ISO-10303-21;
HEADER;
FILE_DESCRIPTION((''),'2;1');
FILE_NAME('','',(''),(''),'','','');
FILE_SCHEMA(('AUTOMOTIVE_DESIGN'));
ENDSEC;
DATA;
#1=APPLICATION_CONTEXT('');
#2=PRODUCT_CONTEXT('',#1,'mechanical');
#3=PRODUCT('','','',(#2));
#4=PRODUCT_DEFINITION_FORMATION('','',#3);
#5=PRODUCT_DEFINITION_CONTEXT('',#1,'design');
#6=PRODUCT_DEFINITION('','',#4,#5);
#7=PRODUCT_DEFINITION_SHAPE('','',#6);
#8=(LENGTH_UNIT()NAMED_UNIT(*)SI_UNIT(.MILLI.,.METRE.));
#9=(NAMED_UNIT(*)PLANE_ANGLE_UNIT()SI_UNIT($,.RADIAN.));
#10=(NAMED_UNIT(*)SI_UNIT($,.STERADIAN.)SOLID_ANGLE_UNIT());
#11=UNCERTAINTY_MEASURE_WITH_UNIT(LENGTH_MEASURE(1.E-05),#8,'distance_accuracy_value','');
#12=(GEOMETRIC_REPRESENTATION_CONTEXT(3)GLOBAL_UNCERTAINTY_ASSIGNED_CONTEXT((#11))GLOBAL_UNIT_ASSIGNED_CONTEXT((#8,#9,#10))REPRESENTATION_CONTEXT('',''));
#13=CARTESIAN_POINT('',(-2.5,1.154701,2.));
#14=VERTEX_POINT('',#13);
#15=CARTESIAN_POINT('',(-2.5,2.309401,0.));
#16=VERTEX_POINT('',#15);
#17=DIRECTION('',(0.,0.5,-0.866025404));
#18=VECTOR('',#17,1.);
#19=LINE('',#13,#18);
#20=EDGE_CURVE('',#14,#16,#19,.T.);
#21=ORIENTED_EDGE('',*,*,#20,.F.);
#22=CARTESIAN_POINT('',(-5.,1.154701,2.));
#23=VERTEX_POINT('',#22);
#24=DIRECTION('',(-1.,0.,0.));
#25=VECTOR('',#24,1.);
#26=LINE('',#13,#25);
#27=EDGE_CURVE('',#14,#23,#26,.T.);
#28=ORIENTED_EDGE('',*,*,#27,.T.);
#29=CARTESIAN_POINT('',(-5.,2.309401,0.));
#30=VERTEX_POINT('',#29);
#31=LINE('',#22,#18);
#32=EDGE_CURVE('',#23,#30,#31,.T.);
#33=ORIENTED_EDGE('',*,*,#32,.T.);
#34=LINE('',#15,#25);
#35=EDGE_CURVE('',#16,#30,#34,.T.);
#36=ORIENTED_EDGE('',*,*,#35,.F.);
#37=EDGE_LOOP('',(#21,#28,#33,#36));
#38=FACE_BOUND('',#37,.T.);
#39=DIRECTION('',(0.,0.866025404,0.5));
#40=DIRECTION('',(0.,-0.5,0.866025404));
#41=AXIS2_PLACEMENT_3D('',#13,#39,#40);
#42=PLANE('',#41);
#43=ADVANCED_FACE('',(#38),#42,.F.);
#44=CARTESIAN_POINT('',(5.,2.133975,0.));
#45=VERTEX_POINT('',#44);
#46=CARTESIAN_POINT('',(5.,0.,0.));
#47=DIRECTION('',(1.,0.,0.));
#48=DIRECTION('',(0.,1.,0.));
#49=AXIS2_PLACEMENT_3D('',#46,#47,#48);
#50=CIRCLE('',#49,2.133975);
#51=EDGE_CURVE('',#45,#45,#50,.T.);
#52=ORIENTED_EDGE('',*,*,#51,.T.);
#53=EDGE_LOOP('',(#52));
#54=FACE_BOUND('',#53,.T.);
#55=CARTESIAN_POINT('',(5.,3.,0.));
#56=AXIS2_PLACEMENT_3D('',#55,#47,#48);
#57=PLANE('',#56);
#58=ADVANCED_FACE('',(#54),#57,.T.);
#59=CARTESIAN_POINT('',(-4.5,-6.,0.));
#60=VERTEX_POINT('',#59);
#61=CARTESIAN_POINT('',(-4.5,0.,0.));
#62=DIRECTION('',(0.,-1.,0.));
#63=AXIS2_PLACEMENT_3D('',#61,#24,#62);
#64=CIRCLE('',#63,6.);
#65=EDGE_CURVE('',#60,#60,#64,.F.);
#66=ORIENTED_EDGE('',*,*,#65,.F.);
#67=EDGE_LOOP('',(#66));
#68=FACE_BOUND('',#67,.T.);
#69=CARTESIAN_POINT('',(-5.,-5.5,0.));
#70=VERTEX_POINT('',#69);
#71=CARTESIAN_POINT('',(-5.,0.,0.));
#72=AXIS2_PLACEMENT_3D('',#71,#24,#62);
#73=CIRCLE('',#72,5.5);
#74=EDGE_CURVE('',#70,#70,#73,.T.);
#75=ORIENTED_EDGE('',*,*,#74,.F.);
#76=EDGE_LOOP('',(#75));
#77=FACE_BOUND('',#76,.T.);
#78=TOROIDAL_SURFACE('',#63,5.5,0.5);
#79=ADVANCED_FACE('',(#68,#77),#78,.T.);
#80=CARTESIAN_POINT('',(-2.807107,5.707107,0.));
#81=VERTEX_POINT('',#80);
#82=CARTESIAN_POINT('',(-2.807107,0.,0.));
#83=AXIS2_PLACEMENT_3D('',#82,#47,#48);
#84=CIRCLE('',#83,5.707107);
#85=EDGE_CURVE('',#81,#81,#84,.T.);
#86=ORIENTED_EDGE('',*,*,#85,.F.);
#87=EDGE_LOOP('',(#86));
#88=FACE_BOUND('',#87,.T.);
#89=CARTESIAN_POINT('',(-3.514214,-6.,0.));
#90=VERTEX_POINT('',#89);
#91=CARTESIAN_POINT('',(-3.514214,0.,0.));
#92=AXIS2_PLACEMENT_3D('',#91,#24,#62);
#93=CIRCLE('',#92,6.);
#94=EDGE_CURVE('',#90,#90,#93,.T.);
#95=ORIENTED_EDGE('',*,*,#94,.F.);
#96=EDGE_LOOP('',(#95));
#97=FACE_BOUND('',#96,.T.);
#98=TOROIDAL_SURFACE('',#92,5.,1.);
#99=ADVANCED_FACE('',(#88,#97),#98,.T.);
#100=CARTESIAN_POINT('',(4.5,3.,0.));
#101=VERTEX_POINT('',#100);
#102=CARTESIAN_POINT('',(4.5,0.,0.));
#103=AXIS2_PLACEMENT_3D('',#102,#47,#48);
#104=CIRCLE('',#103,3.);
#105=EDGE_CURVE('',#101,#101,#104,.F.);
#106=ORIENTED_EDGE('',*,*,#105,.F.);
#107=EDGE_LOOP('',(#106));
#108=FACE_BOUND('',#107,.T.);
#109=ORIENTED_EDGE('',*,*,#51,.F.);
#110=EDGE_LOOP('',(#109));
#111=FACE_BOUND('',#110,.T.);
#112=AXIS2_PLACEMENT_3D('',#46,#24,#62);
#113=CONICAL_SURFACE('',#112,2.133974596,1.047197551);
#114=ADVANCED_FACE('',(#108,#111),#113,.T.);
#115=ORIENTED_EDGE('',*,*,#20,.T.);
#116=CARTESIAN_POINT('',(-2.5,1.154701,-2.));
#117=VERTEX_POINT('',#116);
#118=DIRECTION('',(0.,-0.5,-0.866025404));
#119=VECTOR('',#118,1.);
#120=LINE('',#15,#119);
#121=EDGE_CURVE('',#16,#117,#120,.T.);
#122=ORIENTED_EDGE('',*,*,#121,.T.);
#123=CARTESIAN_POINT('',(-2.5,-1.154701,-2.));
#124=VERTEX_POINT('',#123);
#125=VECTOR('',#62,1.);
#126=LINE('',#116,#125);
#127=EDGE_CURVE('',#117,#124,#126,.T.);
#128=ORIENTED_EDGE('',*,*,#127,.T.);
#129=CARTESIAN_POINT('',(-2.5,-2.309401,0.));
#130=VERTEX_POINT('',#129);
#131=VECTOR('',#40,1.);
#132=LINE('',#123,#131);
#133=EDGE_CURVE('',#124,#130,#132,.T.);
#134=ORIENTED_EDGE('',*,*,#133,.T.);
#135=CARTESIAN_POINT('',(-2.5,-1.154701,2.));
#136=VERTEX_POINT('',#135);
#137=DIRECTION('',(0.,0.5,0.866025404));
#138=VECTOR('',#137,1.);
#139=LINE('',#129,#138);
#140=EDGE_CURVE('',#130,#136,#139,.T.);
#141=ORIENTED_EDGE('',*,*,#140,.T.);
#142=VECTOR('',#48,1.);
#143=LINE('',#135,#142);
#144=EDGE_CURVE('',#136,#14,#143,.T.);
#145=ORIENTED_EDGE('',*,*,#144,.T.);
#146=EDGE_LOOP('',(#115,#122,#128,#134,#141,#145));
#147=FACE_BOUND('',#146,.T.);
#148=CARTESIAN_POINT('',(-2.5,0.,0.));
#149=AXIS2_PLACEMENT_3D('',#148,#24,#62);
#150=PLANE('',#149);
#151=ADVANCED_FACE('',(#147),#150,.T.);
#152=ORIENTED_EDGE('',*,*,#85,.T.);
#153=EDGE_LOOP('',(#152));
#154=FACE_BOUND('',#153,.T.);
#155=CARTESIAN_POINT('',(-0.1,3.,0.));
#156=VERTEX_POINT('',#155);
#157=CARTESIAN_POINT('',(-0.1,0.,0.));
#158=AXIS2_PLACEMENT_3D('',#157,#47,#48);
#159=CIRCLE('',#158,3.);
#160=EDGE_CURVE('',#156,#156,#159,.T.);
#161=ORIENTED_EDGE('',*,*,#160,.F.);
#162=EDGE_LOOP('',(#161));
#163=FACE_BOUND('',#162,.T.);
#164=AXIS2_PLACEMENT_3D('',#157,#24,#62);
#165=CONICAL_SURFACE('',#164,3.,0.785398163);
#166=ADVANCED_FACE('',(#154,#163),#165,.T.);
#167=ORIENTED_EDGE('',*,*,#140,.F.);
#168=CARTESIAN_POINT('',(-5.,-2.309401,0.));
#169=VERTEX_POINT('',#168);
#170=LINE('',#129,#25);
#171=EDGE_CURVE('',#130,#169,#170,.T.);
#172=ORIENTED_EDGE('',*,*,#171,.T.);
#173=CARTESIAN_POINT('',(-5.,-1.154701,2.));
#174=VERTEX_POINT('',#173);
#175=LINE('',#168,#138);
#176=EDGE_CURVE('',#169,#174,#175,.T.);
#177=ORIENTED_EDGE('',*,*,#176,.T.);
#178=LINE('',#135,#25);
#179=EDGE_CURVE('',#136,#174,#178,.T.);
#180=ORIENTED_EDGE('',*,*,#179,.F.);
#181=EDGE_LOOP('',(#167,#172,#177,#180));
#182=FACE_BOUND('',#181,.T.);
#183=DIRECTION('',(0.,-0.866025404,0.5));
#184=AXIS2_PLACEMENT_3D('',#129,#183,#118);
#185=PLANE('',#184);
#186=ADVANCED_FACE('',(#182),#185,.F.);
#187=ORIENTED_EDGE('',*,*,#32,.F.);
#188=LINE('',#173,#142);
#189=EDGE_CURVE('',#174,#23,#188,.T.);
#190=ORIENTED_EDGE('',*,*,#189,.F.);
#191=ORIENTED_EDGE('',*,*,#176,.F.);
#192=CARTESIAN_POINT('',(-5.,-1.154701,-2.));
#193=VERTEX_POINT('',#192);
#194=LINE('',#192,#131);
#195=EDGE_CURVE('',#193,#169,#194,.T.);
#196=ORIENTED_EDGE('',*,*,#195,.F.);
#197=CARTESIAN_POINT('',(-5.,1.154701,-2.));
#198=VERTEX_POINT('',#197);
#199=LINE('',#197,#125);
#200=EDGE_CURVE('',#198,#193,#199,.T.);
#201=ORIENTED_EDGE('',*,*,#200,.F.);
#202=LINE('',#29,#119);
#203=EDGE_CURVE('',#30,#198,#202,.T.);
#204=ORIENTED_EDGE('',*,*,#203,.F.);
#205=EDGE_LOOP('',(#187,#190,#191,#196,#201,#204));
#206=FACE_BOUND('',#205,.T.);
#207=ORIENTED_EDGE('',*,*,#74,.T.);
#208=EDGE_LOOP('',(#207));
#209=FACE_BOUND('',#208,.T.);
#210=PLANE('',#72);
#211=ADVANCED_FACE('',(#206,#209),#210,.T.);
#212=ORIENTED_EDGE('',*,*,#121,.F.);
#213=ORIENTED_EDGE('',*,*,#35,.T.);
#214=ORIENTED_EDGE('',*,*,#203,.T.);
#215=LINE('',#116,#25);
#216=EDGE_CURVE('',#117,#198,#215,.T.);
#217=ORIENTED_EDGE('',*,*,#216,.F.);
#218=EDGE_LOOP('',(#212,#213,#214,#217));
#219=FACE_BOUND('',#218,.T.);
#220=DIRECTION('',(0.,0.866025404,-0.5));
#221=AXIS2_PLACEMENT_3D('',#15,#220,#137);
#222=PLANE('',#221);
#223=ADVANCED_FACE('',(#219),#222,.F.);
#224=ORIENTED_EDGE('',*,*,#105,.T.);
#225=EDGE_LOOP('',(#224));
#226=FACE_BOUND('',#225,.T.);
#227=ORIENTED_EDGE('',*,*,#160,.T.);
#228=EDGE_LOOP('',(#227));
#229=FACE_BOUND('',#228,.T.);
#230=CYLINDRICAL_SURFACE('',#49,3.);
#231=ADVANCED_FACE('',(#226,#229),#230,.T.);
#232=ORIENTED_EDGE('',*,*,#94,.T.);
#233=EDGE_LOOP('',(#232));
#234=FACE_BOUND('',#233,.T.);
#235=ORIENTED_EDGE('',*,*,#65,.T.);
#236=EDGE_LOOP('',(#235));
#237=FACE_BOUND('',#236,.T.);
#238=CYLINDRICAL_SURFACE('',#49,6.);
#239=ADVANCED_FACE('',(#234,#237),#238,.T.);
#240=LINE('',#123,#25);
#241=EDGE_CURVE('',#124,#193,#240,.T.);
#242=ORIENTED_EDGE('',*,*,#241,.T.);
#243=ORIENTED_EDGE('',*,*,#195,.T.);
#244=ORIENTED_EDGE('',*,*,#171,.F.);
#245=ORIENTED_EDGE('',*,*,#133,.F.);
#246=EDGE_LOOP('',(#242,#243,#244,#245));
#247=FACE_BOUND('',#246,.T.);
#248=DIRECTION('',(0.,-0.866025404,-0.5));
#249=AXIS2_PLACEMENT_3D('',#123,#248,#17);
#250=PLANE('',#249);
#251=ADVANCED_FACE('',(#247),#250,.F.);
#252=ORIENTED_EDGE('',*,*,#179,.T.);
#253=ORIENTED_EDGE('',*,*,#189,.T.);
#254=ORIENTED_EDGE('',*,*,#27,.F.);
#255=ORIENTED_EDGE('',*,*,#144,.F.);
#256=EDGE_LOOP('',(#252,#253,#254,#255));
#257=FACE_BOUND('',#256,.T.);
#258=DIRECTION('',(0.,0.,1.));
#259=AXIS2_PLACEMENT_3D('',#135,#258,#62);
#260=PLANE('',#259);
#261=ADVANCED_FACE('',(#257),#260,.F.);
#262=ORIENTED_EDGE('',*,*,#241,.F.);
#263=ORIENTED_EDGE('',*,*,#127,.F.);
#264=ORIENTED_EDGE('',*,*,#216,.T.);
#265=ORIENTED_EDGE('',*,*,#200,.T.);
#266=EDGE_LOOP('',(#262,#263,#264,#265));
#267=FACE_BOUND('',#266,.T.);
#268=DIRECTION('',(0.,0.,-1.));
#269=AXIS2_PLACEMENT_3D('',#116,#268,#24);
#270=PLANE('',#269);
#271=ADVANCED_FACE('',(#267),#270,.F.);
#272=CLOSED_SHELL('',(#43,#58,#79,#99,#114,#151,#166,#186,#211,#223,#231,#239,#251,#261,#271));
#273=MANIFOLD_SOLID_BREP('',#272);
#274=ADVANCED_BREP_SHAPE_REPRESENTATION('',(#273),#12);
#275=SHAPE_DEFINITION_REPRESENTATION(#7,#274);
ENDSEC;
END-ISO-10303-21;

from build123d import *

# Parameters (mm, degrees)
FILLET_1_R          = 0.5
FILLET_2_R          = 1
CUT_EXTRUDE_1_DEPTH = 2.5
CHAMFER_1_SIZE      = 0.5
CHAMFER_1_SIZE2     = 0.866025404


with BuildPart() as part:
    # 草图1 → 旋转1 (revolve)
    with BuildSketch(Plane.XY):
        Polygon((5, 0), (-5, 0), (-5, 6), (-3.1, 6), (-0.1, 3), (5, 3), align=None)
    revolve(axis=Axis((5, 0, 0), (-1, 0, 0)))

    # 圆角1
    fillet_1_edges = [part.edges().sort_by_distance(p)[0] for p in [
        (-5, -6, 0),
    ]]
    fillet(fillet_1_edges, radius=FILLET_1_R)

    # 圆角2
    fillet_2_edges = [part.edges().sort_by_distance(p)[0] for p in [
        (-3.1, -6, 0),
    ]]
    fillet(fillet_2_edges, radius=FILLET_2_R)

    # 草图2 → 切除-拉伸1 (cut)
    with BuildSketch(Plane.ZY.offset(5)):
        Polygon((0, 2.309401077), (-2, 1.154700538), (-2, -1.154700538), (0, -2.309401077), (2, -1.154700538), (2, 1.154700538), align=None)
    extrude(amount=-CUT_EXTRUDE_1_DEPTH, mode=Mode.SUBTRACT)

    # 倒角1
    chamfer_1_edges = [part.edges().sort_by_distance(p)[0] for p in [
        (5, -3, 0),
    ]]
    chamfer_1_side = [part.faces().sort_by_distance(p)[0] for p in [
        (2.45, -3, 0),
    ]]
    chamfer(chamfer_1_edges, length=CHAMFER_1_SIZE, length2=CHAMFER_1_SIZE2, reference=chamfer_1_side[0])


solid = part.part
